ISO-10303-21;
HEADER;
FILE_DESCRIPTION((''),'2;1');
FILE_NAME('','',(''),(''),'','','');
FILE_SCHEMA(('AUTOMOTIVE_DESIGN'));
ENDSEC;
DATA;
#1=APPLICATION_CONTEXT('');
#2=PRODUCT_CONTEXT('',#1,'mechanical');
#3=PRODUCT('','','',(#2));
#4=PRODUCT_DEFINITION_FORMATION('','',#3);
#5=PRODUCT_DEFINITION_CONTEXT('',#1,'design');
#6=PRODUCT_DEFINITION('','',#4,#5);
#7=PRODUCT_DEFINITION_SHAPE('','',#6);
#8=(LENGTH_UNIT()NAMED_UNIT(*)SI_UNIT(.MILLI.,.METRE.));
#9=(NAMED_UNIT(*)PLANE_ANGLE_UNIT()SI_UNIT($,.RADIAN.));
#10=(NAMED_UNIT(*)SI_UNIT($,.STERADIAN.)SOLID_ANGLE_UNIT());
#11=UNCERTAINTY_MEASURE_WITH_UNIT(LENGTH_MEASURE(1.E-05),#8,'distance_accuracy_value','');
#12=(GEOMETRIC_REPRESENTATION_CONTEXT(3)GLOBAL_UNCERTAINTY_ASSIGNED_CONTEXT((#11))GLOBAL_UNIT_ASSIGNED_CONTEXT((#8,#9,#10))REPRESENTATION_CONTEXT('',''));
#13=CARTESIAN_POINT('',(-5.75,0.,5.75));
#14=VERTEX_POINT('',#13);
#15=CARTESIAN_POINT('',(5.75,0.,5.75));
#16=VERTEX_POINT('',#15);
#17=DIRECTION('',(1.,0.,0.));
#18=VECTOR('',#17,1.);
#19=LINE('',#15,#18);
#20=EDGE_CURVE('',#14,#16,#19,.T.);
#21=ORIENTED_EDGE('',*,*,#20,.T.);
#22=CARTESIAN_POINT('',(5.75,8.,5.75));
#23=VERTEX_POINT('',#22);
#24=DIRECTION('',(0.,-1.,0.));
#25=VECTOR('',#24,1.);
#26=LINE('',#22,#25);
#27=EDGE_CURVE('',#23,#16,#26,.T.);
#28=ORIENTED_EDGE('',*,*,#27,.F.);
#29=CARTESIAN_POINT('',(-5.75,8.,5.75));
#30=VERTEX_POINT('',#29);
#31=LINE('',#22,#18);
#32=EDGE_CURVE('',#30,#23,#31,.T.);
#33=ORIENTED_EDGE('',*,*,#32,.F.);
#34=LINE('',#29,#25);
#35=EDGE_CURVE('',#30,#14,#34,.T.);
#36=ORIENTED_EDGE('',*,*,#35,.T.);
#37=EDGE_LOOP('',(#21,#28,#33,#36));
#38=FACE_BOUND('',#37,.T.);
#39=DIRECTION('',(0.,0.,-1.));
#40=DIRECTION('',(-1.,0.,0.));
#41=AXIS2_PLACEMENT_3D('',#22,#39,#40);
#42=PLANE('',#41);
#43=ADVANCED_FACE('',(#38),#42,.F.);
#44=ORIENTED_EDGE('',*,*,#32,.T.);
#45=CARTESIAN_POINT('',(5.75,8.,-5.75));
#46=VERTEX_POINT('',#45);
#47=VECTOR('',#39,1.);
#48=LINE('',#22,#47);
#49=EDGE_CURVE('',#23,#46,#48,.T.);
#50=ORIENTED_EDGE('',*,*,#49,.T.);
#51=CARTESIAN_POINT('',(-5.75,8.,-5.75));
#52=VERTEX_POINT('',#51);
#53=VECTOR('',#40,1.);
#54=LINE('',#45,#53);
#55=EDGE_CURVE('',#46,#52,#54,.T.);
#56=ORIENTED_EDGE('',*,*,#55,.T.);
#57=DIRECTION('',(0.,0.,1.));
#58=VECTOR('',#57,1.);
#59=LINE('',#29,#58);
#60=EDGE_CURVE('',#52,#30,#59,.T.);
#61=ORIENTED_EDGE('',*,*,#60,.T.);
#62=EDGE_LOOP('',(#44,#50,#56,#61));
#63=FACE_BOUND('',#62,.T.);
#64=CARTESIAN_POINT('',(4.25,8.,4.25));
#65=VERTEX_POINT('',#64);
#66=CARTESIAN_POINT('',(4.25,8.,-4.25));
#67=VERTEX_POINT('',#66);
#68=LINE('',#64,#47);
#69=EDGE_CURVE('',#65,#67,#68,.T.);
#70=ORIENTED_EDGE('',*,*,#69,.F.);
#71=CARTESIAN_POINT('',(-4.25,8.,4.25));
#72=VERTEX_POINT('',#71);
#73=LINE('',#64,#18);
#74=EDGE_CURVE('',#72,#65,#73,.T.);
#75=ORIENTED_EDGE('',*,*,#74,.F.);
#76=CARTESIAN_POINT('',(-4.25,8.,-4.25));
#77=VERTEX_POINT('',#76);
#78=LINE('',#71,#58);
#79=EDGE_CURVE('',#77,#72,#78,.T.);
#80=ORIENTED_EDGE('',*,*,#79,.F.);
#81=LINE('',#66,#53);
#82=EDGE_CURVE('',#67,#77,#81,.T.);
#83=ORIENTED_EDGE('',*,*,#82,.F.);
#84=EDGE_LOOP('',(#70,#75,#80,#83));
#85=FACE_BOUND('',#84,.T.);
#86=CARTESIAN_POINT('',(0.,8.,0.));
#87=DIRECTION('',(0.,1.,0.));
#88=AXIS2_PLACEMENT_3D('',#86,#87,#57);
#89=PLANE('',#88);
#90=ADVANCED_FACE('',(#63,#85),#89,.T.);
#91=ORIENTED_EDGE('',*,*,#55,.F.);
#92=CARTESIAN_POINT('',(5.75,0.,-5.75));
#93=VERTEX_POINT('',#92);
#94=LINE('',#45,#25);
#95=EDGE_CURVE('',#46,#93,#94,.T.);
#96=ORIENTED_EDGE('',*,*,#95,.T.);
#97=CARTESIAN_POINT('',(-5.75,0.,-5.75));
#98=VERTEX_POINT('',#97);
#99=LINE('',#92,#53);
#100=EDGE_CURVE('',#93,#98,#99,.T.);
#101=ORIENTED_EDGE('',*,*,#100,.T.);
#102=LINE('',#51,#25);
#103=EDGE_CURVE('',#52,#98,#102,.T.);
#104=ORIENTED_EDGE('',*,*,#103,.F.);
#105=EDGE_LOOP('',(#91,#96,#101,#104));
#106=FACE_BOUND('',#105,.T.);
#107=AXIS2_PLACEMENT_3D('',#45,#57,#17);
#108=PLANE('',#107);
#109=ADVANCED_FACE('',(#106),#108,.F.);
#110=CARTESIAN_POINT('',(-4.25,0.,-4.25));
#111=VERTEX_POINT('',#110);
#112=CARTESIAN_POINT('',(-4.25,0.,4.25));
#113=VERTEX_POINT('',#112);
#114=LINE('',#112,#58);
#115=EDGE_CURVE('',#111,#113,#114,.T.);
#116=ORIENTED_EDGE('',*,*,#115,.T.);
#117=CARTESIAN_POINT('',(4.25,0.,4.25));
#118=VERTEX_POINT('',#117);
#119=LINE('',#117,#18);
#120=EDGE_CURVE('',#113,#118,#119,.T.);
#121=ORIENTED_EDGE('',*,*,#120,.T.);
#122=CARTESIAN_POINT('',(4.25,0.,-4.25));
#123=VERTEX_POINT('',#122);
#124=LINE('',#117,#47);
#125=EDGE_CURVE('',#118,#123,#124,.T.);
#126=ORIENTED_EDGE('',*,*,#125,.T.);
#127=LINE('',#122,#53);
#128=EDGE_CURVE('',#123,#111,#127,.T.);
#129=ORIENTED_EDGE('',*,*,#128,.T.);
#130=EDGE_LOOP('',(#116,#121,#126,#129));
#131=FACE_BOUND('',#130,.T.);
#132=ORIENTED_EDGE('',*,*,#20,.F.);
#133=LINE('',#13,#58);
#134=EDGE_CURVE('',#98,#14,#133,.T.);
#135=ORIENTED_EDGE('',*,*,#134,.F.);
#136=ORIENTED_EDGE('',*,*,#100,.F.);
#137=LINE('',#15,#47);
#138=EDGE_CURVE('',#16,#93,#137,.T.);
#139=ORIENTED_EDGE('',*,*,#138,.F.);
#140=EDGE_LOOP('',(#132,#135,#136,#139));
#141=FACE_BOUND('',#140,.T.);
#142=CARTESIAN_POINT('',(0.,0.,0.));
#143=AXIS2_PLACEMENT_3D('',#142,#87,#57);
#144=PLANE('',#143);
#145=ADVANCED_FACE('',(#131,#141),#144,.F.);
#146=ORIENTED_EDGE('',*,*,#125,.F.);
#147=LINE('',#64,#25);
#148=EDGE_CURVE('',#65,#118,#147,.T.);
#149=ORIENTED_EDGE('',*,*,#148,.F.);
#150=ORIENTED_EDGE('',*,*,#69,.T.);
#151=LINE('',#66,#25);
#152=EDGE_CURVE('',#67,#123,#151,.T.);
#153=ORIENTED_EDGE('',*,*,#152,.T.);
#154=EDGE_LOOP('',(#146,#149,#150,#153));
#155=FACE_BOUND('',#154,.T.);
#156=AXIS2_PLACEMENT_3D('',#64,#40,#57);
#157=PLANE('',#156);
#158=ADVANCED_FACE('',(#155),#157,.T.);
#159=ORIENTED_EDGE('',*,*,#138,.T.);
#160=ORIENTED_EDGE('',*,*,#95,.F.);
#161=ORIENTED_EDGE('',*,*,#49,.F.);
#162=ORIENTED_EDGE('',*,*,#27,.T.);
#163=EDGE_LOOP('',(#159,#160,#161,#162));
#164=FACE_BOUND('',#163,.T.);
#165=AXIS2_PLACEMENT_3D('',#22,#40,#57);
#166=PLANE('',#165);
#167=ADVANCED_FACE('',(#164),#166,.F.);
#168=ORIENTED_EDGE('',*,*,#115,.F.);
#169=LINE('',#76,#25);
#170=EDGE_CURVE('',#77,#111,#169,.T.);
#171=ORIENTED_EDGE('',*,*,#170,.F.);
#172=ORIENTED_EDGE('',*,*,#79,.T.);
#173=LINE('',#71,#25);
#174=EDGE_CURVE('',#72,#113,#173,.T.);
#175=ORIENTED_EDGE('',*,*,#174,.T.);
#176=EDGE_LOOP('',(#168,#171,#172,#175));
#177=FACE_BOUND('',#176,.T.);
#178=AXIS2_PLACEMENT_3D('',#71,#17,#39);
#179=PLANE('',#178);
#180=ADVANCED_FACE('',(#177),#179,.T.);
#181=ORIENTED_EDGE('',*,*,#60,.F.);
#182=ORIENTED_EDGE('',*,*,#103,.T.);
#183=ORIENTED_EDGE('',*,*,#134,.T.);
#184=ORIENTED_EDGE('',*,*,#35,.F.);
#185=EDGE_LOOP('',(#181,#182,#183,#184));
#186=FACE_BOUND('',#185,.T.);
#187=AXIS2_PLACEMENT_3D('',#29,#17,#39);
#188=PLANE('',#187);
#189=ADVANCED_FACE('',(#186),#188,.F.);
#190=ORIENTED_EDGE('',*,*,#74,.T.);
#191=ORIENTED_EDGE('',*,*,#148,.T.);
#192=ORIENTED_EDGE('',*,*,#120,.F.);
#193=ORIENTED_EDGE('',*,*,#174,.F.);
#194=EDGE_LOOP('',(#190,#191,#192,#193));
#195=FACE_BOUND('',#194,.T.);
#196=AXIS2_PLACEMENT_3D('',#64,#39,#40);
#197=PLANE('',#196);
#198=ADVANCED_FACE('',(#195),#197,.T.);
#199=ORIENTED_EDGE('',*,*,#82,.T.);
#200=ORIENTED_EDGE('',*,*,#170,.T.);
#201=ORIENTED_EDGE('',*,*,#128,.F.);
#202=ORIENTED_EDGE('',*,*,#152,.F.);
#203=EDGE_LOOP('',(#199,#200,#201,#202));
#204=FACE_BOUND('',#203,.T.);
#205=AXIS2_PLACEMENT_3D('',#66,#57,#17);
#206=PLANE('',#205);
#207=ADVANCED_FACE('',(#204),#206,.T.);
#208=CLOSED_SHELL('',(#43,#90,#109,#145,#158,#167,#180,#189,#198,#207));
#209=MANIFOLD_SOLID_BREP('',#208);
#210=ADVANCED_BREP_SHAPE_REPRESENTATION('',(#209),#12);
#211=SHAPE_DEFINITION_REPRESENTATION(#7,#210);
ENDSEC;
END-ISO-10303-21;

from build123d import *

# Parameters (mm, degrees)
SKETCH1_W           = 11.5
SKETCH1_H           = 11.5
SKETCH1_W_2         = 8.5
SKETCH1_H_2         = 8.5
BOSS_EXTRUDE1_DEPTH = 8


with BuildPart() as part:
    # Sketch1 → Boss-Extrude1 (new body)
    with BuildSketch(Plane(origin=(0, 0, 0), x_dir=(1, 0, 0), z_dir=(0, 1, 0))):
        Rectangle(SKETCH1_W, SKETCH1_H)
        Rectangle(SKETCH1_W_2, SKETCH1_H_2, mode=Mode.SUBTRACT)
    extrude(amount=BOSS_EXTRUDE1_DEPTH)


solid = part.part
